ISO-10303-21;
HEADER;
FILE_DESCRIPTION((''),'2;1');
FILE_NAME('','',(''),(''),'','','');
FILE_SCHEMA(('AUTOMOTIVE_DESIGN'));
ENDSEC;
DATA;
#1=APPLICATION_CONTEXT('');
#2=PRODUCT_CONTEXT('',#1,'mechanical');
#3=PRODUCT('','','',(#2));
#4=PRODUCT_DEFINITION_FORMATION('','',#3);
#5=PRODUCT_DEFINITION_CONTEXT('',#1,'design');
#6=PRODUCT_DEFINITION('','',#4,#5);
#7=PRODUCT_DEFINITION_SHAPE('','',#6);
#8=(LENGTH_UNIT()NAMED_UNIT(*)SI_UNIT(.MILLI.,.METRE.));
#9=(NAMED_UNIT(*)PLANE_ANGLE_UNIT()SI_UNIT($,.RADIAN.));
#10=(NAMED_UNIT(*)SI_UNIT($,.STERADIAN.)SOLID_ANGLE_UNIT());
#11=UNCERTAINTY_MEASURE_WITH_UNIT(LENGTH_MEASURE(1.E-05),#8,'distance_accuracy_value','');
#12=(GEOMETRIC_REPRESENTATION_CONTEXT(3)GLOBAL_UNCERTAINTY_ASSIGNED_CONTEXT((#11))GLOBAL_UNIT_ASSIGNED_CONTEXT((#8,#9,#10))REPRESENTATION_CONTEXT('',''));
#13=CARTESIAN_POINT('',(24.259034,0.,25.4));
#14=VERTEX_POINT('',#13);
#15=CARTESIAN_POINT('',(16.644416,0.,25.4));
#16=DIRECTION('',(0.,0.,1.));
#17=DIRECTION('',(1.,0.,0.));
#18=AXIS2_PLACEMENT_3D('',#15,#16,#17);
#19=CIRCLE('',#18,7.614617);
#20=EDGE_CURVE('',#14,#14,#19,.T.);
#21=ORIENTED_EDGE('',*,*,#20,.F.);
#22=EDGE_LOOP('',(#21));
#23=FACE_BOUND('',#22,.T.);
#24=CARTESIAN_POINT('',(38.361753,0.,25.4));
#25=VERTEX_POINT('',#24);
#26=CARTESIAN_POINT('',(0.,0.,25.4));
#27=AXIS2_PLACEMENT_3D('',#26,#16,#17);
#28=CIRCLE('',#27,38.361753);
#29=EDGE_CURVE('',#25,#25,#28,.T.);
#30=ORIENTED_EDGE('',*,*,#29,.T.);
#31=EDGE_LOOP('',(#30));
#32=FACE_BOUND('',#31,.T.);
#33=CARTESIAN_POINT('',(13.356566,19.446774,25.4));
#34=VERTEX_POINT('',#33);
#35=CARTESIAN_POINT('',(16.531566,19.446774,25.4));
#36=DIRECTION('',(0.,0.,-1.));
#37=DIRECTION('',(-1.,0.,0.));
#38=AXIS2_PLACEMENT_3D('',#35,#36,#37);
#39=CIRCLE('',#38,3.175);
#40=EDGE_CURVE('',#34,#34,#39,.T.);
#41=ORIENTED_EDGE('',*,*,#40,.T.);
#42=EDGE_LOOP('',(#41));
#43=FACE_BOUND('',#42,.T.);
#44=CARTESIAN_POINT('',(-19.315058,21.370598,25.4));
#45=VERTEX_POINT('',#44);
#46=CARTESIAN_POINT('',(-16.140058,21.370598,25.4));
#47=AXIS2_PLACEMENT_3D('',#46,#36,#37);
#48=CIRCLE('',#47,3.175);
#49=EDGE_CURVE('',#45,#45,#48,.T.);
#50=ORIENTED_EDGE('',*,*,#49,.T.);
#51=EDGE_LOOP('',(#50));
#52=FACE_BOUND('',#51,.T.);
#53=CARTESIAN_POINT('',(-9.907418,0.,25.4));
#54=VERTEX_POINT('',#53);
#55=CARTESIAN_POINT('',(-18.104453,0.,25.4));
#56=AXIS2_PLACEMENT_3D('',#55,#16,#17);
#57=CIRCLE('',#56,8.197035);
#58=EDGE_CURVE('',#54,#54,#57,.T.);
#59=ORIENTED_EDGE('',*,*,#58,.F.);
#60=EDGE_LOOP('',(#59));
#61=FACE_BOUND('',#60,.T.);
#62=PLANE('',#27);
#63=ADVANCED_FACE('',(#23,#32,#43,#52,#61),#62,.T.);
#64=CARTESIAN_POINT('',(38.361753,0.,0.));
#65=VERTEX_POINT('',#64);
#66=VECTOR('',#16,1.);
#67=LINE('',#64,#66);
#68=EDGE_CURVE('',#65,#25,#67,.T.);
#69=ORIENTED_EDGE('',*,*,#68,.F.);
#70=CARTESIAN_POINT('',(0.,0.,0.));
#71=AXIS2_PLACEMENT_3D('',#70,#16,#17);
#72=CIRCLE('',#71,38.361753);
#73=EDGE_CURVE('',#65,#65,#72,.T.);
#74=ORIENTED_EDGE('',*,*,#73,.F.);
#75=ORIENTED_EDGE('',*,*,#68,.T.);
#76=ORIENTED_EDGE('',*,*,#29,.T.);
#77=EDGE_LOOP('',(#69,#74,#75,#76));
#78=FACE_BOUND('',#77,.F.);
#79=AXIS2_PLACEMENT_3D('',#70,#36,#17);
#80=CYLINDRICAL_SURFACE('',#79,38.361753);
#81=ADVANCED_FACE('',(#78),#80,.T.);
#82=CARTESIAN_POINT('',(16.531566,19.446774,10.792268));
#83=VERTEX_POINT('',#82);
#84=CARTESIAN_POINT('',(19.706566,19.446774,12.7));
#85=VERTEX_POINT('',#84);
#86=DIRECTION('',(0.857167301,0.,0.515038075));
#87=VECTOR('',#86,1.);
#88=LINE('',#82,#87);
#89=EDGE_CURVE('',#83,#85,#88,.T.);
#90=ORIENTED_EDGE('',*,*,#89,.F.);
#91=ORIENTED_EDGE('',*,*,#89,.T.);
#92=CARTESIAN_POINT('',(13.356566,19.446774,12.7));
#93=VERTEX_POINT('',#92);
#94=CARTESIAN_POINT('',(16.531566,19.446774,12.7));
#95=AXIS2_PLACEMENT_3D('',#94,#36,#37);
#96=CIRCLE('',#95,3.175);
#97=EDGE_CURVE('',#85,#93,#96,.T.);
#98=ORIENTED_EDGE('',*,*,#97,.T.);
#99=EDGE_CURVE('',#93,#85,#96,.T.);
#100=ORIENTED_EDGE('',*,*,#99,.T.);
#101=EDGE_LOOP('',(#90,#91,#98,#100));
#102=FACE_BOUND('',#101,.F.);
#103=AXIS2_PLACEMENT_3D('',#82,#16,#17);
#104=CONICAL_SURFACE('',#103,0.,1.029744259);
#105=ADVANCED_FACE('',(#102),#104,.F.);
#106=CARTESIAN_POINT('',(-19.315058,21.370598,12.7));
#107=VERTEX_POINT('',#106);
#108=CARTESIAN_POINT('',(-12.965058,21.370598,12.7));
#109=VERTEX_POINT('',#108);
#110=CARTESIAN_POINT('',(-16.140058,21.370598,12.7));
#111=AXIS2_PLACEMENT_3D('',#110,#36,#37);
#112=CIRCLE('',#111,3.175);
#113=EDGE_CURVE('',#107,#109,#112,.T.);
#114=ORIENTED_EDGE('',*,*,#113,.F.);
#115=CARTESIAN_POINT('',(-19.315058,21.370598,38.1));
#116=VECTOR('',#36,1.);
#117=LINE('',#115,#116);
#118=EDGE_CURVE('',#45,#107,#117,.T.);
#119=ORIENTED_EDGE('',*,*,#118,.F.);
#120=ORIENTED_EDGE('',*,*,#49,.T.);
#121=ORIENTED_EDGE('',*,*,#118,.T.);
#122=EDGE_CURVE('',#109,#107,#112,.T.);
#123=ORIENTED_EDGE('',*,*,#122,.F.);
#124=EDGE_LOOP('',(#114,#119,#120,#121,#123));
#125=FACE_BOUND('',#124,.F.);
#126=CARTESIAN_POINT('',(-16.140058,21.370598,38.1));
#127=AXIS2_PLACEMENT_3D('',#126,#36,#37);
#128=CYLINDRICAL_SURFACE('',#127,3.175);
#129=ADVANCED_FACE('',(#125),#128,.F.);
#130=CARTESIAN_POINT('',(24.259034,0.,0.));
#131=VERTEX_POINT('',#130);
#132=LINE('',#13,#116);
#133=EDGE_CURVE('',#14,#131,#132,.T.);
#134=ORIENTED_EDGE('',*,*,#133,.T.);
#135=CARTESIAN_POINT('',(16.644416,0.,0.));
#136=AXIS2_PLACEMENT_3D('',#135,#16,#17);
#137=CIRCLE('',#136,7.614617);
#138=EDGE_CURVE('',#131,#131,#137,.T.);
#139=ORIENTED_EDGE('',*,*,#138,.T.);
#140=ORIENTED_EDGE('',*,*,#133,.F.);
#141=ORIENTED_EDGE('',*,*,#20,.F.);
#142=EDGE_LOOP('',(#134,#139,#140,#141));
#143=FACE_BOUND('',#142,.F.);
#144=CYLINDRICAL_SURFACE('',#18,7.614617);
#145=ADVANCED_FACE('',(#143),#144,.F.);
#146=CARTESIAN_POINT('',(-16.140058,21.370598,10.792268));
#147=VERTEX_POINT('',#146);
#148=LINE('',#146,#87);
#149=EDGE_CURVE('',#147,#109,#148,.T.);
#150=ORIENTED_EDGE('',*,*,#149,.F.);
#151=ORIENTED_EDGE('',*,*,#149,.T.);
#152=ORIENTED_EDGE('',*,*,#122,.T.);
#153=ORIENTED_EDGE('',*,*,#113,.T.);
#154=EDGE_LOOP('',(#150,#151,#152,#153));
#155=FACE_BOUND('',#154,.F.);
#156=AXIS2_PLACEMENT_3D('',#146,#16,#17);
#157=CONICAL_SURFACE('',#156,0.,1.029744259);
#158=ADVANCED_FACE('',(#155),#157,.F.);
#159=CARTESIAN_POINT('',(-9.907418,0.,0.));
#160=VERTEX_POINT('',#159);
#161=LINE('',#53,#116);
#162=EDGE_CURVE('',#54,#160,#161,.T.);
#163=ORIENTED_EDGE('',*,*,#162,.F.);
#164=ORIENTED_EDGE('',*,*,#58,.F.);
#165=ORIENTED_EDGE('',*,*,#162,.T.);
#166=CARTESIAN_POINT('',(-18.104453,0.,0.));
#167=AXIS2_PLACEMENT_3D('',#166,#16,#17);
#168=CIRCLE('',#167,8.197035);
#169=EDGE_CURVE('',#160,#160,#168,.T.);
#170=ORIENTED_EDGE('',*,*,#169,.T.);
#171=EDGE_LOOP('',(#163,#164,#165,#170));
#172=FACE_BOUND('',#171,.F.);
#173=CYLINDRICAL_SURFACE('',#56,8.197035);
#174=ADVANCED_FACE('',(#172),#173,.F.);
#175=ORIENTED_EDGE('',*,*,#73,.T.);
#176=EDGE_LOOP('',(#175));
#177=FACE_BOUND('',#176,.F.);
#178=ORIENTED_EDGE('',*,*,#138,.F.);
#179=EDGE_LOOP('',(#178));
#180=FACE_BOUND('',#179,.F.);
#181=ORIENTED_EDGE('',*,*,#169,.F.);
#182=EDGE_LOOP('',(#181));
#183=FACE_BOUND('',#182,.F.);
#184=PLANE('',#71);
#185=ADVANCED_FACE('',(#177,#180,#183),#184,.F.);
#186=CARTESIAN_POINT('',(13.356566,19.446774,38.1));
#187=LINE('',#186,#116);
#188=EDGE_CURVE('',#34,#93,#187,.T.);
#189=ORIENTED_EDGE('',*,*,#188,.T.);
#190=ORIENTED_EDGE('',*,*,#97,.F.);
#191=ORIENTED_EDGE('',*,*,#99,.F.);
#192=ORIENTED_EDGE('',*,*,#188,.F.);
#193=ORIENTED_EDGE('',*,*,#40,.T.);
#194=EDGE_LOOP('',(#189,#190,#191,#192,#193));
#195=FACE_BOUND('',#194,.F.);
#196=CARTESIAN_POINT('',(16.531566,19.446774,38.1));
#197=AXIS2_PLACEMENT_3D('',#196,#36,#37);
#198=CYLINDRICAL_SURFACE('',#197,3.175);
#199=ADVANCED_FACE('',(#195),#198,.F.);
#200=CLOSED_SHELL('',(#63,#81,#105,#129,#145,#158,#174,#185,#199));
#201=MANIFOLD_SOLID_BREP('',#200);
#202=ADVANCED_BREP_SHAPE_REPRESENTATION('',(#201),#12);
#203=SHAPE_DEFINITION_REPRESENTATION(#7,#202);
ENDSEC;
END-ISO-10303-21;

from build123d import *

# Parameters (mm, degrees)
F0_R     = 38.3617531957
F1_DEPTH = 25.4
F2_R     = 7.6146171672
F2_R_2   = 8.1970349446
F3_DEPTH = 25.401
F5_D     = 6.35
F5_DEPTH = 12.7
F5_TIP   = 1.9077324654


with BuildPart() as f1:
    # F0 (on Top) → F1 (new body)
    with BuildSketch(Plane.XY):
        Circle(F0_R)
    extrude(amount=F1_DEPTH)

    # F2 (on face) → F3 (cut, through all)
    with BuildSketch(Plane.XY.offset(25.4)):
        with Locations((16.6444163769, 0)):
            Circle(F2_R)
        with Locations((-18.1044526398, 0)):
            Circle(F2_R_2)
    extrude(amount=-F3_DEPTH, mode=Mode.SUBTRACT)

    # F5
    with Locations(Plane.XY.offset(25.4)):
        with Locations((-16.1400576362, 21.3705980134), (16.5315663715, 19.4467739825)):
            Hole(F5_D / 2, depth=F5_DEPTH)
            with Locations((0, 0, -(F5_DEPTH + F5_TIP / 2))):  # 118° drill point
                Cone(0, F5_D / 2, F5_TIP, mode=Mode.SUBTRACT)


solid = f1.part
